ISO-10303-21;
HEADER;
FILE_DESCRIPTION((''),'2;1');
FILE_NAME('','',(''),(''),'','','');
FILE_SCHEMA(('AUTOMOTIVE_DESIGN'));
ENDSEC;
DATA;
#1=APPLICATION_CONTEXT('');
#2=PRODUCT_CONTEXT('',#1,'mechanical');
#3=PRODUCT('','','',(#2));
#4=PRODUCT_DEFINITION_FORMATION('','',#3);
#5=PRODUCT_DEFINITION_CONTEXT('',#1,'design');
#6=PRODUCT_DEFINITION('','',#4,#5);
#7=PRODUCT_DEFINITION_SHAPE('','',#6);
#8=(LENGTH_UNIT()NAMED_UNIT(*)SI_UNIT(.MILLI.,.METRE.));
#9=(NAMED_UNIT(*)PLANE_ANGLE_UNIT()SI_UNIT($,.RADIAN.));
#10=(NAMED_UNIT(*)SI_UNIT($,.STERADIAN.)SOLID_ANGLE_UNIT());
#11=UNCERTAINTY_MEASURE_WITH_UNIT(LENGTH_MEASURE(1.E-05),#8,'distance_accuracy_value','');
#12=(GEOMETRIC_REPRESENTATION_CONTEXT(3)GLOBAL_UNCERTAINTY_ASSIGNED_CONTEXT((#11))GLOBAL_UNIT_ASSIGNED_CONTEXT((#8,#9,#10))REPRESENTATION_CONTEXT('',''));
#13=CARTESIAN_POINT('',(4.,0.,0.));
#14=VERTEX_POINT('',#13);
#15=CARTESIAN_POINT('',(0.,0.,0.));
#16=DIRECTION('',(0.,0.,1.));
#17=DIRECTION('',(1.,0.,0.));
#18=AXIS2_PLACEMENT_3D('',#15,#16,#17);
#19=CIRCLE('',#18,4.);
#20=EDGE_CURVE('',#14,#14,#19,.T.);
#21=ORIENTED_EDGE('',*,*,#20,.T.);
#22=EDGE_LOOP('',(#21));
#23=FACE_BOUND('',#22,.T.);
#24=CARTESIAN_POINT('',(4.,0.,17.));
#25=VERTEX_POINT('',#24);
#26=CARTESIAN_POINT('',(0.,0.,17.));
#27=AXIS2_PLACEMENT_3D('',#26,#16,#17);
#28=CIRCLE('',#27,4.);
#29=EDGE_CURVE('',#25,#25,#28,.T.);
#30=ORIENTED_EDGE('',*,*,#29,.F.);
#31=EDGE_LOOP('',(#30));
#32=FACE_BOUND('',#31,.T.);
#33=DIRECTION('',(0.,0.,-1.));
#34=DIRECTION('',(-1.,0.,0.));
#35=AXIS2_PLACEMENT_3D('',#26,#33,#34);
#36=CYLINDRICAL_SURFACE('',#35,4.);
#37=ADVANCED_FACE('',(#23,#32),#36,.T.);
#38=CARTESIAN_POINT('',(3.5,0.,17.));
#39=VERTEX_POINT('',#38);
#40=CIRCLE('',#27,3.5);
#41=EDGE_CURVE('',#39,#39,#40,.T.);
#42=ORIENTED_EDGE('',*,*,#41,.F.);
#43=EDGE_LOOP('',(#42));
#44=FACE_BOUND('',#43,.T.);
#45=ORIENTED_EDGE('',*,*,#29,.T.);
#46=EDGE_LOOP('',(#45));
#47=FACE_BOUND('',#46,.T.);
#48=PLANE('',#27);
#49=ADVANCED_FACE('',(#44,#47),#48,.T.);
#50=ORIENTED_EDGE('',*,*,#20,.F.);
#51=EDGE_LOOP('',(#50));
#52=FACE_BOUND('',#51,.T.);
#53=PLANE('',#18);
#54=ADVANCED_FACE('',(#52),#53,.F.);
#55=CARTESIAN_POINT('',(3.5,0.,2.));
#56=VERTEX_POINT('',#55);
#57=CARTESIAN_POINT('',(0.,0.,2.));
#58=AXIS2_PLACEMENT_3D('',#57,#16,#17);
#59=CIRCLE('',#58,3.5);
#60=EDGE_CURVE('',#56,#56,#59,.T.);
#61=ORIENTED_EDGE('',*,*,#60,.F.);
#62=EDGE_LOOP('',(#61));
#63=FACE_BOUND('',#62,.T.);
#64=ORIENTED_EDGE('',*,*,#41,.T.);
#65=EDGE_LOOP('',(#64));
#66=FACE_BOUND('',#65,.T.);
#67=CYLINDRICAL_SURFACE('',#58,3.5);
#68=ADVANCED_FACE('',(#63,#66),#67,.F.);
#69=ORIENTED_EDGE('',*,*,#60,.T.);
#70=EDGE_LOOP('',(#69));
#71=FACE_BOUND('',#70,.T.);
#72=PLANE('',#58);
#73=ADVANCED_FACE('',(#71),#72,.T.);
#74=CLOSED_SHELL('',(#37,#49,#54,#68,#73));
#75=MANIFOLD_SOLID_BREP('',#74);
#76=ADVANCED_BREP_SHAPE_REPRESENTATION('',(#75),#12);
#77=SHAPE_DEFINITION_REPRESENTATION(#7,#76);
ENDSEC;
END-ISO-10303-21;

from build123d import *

# Parameters (mm, degrees)
ESBO_O1_R                = 4
RESSALTO_EXTRUS_O1_DEPTH = 17
ESBO_O2_R                = 3.5
CORTE_EXTRUS_O1_DEPTH    = 15


with BuildPart() as part:
    # Esboço1 → Ressalto-extrusão1 (new body)
    with BuildSketch(Plane.XY):
        Circle(ESBO_O1_R)
    extrude(amount=RESSALTO_EXTRUS_O1_DEPTH)

    # Esboço2 → Corte-extrusão1 (cut)
    with BuildSketch(Plane.XY.offset(17)):
        Circle(ESBO_O2_R)
    extrude(amount=-CORTE_EXTRUS_O1_DEPTH, mode=Mode.SUBTRACT)


solid = part.part
